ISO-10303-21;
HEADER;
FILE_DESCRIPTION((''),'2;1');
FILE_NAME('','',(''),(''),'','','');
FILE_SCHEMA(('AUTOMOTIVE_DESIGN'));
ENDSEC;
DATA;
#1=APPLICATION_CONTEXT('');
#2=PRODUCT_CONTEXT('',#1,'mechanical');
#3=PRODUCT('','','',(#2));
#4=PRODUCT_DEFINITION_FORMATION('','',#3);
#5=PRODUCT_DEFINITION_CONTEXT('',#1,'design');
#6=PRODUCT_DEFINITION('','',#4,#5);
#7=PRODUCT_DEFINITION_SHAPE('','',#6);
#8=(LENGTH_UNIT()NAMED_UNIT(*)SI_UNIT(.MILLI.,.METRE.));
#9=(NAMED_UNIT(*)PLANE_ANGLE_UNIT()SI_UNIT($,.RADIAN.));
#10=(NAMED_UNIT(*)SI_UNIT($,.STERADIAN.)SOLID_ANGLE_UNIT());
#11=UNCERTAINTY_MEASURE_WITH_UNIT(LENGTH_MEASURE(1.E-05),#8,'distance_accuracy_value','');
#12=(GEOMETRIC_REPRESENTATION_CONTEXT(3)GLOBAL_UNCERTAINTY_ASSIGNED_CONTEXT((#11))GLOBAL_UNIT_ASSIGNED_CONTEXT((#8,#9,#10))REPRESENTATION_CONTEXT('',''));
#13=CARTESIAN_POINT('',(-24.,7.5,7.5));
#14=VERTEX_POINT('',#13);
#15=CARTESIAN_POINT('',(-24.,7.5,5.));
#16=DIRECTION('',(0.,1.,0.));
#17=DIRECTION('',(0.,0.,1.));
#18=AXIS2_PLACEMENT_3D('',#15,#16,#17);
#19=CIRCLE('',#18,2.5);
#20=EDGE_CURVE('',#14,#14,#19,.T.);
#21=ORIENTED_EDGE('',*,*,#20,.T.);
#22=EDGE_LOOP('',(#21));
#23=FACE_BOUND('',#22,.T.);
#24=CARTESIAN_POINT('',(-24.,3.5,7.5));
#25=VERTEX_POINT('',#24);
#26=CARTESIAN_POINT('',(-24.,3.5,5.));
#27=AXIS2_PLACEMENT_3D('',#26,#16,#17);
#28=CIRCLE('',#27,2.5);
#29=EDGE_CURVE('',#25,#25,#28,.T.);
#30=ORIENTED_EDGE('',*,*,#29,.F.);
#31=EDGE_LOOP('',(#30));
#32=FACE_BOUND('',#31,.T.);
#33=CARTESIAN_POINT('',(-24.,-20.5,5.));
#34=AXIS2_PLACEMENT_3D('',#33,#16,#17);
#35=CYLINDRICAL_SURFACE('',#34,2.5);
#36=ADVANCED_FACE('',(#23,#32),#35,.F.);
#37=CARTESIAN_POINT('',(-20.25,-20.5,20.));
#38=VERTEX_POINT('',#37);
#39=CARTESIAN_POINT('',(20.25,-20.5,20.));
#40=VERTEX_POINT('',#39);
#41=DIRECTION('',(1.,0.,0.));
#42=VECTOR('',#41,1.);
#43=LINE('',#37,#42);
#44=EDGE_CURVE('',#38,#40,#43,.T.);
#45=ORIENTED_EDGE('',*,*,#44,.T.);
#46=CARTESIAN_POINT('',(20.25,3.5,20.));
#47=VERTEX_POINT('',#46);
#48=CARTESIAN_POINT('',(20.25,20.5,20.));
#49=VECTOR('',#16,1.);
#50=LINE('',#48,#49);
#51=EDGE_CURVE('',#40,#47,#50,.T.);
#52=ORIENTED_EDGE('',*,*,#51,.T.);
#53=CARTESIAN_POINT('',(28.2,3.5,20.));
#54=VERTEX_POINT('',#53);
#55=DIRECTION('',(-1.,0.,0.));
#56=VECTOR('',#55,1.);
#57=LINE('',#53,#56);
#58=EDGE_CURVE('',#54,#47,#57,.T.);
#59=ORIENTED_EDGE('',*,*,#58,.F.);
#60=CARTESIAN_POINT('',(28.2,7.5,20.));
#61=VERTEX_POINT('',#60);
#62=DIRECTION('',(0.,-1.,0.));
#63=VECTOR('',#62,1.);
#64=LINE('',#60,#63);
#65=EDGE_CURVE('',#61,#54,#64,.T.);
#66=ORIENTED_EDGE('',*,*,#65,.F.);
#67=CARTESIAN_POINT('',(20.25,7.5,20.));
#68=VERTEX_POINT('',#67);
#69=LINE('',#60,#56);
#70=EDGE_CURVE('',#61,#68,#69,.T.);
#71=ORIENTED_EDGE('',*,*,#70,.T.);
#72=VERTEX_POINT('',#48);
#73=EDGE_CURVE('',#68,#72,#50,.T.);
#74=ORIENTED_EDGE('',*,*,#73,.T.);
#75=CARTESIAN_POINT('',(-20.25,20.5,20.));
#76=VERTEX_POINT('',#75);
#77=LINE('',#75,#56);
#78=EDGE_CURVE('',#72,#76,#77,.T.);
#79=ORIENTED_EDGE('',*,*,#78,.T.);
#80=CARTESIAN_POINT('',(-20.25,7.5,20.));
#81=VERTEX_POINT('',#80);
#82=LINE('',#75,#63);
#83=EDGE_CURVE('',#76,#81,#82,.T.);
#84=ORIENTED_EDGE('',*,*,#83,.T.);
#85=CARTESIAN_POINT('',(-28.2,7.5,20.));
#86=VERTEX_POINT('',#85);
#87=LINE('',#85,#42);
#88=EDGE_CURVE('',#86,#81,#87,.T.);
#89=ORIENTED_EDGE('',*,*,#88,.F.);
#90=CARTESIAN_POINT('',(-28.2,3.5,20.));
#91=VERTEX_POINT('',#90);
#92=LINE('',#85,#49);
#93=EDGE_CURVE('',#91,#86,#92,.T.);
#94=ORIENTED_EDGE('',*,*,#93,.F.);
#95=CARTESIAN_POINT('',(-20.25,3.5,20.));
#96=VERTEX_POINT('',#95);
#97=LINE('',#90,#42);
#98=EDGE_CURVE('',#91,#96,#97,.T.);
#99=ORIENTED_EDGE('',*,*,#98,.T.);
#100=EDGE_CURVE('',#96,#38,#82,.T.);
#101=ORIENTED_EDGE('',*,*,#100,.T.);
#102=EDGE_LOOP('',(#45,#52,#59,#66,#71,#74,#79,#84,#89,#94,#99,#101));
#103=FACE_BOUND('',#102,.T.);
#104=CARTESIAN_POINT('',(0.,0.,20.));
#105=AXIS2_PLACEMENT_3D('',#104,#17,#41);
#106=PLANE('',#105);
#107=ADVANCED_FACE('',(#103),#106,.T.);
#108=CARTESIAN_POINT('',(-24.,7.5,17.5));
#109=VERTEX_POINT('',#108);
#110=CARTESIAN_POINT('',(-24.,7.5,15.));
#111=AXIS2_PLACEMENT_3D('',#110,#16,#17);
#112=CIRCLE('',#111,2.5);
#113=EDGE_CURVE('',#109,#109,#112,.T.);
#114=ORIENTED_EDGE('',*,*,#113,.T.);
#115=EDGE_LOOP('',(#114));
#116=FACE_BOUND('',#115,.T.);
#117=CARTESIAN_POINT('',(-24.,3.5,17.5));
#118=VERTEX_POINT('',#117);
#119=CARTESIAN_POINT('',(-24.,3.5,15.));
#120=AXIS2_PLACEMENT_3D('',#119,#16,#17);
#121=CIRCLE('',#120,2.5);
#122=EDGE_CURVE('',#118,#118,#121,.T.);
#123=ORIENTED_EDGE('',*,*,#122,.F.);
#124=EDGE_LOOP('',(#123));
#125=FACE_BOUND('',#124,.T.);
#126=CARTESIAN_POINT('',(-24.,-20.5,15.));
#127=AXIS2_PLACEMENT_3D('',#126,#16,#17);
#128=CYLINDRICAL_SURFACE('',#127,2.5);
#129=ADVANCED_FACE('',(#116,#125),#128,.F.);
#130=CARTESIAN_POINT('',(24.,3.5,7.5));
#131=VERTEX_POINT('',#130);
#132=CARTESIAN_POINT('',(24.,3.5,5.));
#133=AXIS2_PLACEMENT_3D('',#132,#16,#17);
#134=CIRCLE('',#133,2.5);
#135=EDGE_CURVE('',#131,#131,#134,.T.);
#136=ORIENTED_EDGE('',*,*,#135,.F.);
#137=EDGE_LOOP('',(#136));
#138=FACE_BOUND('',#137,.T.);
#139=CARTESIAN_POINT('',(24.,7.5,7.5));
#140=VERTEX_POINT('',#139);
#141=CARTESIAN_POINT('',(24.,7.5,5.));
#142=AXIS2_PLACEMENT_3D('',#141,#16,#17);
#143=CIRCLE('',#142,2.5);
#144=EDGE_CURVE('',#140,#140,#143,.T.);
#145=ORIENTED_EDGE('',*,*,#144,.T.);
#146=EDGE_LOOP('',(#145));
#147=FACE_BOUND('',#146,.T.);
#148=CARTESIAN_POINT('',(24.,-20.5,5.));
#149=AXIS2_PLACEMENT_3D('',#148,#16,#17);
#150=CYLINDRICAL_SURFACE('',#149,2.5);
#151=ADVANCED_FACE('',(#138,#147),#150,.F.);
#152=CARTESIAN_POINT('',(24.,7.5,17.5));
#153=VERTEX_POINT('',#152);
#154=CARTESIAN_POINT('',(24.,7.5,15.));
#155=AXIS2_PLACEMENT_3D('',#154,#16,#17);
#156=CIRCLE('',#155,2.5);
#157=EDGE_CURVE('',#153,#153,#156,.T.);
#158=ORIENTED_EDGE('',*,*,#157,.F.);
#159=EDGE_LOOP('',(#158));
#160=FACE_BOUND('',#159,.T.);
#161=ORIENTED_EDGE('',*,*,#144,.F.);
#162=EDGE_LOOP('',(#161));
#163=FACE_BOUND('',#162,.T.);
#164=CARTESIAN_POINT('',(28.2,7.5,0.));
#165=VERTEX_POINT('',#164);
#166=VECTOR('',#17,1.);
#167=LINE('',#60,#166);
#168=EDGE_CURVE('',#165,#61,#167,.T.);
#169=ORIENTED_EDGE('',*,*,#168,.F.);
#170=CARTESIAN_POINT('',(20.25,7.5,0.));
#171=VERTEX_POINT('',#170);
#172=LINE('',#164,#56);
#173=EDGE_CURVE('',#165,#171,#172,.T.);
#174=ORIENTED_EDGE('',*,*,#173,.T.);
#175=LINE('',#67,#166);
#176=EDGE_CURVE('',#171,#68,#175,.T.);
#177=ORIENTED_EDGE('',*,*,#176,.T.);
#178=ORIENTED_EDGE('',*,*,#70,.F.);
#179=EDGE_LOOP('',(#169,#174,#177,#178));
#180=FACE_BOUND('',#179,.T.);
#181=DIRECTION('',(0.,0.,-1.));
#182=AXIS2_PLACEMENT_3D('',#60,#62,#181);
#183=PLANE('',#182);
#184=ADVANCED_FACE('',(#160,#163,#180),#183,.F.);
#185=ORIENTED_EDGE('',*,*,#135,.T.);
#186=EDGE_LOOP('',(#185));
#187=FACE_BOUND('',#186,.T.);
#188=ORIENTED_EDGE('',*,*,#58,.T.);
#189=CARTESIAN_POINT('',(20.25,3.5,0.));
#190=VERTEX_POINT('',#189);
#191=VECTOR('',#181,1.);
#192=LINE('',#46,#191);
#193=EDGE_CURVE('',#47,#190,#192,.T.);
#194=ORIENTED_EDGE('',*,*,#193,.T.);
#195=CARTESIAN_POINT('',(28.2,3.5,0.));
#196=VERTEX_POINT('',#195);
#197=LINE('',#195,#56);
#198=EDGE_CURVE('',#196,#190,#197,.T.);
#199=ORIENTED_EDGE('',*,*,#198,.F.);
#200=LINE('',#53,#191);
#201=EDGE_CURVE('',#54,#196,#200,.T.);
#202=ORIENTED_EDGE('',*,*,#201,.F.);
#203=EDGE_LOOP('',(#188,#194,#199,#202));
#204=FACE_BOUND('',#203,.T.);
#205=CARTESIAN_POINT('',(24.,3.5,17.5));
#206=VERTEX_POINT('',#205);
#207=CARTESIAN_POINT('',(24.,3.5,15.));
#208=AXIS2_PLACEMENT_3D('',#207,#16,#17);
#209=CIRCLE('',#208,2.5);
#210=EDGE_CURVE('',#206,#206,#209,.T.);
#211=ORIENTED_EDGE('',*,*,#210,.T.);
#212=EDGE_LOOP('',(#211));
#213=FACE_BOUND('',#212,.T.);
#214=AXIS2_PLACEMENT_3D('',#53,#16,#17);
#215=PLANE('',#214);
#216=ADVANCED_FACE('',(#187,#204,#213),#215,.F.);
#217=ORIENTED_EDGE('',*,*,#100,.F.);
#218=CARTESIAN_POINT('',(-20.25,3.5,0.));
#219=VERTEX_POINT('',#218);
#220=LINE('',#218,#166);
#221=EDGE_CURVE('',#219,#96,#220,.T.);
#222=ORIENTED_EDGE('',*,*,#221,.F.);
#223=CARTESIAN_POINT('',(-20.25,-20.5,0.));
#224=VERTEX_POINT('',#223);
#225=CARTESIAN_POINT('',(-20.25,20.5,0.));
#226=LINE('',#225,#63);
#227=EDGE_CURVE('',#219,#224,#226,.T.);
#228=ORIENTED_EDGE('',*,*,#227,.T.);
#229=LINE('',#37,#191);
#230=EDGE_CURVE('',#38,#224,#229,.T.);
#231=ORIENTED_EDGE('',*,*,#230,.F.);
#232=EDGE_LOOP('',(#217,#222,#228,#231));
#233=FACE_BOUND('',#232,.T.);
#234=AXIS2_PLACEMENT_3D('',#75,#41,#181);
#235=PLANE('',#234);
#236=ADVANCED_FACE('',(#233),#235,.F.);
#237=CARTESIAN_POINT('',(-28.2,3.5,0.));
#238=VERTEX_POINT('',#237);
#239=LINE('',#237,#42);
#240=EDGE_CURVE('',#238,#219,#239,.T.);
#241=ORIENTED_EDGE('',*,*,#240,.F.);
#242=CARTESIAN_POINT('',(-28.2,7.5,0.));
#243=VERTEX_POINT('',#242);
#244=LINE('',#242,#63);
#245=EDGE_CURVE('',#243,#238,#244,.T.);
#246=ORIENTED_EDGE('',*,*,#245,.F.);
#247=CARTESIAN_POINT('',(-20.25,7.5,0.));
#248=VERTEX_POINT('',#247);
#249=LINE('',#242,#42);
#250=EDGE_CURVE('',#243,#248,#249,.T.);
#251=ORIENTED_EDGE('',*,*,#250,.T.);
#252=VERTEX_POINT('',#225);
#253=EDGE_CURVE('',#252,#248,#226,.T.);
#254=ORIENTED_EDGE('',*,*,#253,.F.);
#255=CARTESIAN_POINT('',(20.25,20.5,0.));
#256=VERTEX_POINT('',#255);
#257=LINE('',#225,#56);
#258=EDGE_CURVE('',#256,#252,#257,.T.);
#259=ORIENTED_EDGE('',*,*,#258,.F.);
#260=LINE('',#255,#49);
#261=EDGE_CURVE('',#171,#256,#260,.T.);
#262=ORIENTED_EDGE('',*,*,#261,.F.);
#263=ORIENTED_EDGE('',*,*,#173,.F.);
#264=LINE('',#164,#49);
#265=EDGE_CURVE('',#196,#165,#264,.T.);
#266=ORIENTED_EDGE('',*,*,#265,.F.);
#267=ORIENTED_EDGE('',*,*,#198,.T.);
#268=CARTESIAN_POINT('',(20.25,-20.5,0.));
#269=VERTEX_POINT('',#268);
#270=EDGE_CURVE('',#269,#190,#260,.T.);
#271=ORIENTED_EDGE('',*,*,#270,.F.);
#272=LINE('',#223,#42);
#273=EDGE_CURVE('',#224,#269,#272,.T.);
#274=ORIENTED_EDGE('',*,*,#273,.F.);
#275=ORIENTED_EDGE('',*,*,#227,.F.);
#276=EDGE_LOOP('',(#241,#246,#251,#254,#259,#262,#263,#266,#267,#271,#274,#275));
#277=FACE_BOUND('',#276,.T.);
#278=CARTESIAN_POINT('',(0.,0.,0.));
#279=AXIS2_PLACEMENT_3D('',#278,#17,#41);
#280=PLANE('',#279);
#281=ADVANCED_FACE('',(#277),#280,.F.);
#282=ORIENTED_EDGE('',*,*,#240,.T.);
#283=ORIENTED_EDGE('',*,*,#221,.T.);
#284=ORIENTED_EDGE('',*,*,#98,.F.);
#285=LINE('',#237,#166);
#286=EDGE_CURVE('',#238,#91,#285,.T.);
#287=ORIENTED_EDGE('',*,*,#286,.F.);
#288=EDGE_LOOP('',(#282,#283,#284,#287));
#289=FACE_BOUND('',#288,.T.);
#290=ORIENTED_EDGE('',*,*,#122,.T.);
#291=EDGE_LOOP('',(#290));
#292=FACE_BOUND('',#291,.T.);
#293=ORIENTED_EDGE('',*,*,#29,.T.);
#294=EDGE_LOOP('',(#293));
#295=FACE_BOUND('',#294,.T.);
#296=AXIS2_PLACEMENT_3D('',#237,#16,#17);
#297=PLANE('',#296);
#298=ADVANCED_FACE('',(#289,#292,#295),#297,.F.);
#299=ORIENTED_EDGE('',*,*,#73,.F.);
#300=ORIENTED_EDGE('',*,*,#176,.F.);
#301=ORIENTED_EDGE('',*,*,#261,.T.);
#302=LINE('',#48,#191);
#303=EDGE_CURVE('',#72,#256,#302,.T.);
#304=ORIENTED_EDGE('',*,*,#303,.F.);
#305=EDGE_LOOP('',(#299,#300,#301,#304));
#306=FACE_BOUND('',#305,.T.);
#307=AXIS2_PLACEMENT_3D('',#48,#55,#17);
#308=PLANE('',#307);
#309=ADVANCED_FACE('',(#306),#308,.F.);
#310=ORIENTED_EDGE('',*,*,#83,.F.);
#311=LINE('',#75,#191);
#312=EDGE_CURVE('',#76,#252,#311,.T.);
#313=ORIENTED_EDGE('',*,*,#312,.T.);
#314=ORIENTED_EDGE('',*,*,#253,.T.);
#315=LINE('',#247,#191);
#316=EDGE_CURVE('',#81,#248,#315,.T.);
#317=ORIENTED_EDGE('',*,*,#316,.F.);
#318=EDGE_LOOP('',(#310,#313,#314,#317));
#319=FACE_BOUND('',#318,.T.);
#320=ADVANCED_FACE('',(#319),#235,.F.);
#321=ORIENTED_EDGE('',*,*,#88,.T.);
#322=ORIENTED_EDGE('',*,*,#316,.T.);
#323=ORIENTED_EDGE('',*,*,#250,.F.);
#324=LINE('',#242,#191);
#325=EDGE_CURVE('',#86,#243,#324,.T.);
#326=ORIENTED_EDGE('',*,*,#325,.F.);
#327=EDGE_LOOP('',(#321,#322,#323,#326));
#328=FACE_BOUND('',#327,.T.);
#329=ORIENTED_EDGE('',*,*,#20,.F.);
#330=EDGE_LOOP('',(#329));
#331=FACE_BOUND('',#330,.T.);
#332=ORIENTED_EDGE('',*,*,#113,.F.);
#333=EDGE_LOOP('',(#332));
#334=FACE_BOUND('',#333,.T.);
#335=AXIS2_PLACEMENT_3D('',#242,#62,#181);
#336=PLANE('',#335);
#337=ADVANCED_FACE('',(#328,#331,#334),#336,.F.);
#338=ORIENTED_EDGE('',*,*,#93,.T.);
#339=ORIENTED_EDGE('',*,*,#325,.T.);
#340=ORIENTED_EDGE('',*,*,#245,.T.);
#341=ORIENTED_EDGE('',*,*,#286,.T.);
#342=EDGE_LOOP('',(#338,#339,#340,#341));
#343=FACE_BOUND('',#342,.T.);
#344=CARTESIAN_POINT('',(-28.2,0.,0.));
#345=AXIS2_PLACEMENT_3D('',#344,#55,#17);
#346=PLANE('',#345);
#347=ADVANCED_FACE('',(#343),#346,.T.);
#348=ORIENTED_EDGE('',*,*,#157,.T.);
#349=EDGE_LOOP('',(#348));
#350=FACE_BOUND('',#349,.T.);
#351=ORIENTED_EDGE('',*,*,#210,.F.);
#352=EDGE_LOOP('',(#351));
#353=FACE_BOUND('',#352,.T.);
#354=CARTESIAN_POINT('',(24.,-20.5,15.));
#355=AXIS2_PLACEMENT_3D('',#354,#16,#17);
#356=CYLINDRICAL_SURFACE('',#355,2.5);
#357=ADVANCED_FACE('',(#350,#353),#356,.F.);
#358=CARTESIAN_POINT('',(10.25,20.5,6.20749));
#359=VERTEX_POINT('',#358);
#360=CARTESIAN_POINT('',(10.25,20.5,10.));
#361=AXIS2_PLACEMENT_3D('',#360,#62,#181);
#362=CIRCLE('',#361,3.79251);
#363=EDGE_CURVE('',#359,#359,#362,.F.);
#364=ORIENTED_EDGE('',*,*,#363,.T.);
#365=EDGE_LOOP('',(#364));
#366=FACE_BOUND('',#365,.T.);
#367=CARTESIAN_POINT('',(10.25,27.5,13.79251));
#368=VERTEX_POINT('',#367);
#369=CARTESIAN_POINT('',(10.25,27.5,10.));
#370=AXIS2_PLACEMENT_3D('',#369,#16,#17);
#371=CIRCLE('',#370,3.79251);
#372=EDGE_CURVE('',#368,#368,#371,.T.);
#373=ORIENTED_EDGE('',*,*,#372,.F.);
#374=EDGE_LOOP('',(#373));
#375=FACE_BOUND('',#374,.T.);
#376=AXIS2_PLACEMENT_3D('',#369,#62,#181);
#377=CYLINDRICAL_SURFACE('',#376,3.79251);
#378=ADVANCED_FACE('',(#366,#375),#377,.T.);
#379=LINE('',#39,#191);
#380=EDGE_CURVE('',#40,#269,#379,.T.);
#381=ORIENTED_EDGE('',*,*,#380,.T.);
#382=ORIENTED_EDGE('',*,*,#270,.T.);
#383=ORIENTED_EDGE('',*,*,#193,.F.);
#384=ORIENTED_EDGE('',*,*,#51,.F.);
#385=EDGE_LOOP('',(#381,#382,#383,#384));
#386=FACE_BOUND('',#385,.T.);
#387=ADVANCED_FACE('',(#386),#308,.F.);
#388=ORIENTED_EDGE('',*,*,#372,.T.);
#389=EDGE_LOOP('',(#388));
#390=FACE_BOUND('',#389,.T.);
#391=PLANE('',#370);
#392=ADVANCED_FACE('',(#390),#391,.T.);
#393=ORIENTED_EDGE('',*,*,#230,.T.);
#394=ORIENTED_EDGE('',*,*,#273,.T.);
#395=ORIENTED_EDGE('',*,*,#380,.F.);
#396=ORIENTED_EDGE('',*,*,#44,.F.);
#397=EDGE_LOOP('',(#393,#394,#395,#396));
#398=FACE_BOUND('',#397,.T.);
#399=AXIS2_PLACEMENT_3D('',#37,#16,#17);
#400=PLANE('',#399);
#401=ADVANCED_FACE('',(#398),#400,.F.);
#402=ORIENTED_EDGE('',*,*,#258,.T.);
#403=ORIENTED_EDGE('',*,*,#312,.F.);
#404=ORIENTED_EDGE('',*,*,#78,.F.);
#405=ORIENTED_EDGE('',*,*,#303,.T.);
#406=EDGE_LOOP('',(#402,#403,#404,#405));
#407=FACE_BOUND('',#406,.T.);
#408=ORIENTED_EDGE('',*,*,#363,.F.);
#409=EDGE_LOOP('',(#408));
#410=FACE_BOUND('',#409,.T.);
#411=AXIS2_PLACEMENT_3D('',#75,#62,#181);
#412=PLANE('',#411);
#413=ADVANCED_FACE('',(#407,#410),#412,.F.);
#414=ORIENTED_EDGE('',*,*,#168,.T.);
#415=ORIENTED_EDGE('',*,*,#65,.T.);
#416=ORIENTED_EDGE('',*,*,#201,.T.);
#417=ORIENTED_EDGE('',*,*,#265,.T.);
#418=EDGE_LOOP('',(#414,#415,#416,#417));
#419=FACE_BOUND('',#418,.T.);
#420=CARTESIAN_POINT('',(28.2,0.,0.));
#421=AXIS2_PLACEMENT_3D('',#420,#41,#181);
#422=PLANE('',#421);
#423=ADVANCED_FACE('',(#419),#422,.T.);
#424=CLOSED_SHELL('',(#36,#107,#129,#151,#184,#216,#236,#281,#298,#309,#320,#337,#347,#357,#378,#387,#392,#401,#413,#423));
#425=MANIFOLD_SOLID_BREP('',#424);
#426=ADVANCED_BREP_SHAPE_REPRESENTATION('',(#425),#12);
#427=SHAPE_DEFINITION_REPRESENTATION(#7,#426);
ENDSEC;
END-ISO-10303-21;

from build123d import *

# Parameters (mm, degrees)
SKETCH2_W           = 40.5
SKETCH2_H           = 41
BOSS_EXTRUDE1_DEPTH = 20
SKETCH4_W           = 20
SKETCH4_H           = 4
BOSS_EXTRUDE2_DEPTH = 7.95
SKETCH5_W           = 20
SKETCH5_H           = 4
BOSS_EXTRUDE3_DEPTH = 7.95
SKETCH8_R           = 2.5
CUT_EXTRUDE1_DEPTH  = 45.488650238
SKETCH11_R          = 3.792509707
BOSS_EXTRUDE4_DEPTH = 7


with BuildPart() as part:
    # Sketch2 → Boss-Extrude1 (new body)
    with BuildSketch(Plane.XY):
        Rectangle(SKETCH2_W, SKETCH2_H)
    extrude(amount=BOSS_EXTRUDE1_DEPTH)

    # Sketch4 → Boss-Extrude2 (add)
    with BuildSketch(Plane(origin=(20.25, 0, 0), x_dir=(0, 0, -1), z_dir=(1, 0, 0))):
        with Locations((-10, 5.5)):
            Rectangle(SKETCH4_W, SKETCH4_H)
    extrude(amount=BOSS_EXTRUDE2_DEPTH)

    # Sketch5 → Boss-Extrude3 (add)
    with BuildSketch(Plane.ZY.offset(20.25)):
        with Locations((10, 5.5)):
            Rectangle(SKETCH5_W, SKETCH5_H)
    extrude(amount=BOSS_EXTRUDE3_DEPTH)

    # Sketch8 → Cut-Extrude1 (cut, through all)
    with BuildSketch(Plane(origin=(0, 7.5, 0), x_dir=(1, 0, 0), z_dir=(0, 1, 0))):
        with Locations(Location((24, -5, 0), (0, 0, 270))):
            Circle(SKETCH8_R)
        with Locations(Location((24, -15, 0), (0, 0, 270))):
            Circle(SKETCH8_R)
        with Locations(Location((-24, -5, 0), (0, 0, 270))):
            Circle(SKETCH8_R)
        with Locations(Location((-24, -15, 0), (0, 0, 270))):
            Circle(SKETCH8_R)
    extrude(amount=-CUT_EXTRUDE1_DEPTH, mode=Mode.SUBTRACT)

    # Sketch11 → Boss-Extrude4 (add)
    with BuildSketch(Plane(origin=(0, 20.5, 0), x_dir=(1, 0, 0), z_dir=(0, 1, 0))):
        with Locations(Location((10.25, -10, 0), (0, 0, 90))):
            Circle(SKETCH11_R)
    extrude(amount=BOSS_EXTRUDE4_DEPTH)


solid = part.part
